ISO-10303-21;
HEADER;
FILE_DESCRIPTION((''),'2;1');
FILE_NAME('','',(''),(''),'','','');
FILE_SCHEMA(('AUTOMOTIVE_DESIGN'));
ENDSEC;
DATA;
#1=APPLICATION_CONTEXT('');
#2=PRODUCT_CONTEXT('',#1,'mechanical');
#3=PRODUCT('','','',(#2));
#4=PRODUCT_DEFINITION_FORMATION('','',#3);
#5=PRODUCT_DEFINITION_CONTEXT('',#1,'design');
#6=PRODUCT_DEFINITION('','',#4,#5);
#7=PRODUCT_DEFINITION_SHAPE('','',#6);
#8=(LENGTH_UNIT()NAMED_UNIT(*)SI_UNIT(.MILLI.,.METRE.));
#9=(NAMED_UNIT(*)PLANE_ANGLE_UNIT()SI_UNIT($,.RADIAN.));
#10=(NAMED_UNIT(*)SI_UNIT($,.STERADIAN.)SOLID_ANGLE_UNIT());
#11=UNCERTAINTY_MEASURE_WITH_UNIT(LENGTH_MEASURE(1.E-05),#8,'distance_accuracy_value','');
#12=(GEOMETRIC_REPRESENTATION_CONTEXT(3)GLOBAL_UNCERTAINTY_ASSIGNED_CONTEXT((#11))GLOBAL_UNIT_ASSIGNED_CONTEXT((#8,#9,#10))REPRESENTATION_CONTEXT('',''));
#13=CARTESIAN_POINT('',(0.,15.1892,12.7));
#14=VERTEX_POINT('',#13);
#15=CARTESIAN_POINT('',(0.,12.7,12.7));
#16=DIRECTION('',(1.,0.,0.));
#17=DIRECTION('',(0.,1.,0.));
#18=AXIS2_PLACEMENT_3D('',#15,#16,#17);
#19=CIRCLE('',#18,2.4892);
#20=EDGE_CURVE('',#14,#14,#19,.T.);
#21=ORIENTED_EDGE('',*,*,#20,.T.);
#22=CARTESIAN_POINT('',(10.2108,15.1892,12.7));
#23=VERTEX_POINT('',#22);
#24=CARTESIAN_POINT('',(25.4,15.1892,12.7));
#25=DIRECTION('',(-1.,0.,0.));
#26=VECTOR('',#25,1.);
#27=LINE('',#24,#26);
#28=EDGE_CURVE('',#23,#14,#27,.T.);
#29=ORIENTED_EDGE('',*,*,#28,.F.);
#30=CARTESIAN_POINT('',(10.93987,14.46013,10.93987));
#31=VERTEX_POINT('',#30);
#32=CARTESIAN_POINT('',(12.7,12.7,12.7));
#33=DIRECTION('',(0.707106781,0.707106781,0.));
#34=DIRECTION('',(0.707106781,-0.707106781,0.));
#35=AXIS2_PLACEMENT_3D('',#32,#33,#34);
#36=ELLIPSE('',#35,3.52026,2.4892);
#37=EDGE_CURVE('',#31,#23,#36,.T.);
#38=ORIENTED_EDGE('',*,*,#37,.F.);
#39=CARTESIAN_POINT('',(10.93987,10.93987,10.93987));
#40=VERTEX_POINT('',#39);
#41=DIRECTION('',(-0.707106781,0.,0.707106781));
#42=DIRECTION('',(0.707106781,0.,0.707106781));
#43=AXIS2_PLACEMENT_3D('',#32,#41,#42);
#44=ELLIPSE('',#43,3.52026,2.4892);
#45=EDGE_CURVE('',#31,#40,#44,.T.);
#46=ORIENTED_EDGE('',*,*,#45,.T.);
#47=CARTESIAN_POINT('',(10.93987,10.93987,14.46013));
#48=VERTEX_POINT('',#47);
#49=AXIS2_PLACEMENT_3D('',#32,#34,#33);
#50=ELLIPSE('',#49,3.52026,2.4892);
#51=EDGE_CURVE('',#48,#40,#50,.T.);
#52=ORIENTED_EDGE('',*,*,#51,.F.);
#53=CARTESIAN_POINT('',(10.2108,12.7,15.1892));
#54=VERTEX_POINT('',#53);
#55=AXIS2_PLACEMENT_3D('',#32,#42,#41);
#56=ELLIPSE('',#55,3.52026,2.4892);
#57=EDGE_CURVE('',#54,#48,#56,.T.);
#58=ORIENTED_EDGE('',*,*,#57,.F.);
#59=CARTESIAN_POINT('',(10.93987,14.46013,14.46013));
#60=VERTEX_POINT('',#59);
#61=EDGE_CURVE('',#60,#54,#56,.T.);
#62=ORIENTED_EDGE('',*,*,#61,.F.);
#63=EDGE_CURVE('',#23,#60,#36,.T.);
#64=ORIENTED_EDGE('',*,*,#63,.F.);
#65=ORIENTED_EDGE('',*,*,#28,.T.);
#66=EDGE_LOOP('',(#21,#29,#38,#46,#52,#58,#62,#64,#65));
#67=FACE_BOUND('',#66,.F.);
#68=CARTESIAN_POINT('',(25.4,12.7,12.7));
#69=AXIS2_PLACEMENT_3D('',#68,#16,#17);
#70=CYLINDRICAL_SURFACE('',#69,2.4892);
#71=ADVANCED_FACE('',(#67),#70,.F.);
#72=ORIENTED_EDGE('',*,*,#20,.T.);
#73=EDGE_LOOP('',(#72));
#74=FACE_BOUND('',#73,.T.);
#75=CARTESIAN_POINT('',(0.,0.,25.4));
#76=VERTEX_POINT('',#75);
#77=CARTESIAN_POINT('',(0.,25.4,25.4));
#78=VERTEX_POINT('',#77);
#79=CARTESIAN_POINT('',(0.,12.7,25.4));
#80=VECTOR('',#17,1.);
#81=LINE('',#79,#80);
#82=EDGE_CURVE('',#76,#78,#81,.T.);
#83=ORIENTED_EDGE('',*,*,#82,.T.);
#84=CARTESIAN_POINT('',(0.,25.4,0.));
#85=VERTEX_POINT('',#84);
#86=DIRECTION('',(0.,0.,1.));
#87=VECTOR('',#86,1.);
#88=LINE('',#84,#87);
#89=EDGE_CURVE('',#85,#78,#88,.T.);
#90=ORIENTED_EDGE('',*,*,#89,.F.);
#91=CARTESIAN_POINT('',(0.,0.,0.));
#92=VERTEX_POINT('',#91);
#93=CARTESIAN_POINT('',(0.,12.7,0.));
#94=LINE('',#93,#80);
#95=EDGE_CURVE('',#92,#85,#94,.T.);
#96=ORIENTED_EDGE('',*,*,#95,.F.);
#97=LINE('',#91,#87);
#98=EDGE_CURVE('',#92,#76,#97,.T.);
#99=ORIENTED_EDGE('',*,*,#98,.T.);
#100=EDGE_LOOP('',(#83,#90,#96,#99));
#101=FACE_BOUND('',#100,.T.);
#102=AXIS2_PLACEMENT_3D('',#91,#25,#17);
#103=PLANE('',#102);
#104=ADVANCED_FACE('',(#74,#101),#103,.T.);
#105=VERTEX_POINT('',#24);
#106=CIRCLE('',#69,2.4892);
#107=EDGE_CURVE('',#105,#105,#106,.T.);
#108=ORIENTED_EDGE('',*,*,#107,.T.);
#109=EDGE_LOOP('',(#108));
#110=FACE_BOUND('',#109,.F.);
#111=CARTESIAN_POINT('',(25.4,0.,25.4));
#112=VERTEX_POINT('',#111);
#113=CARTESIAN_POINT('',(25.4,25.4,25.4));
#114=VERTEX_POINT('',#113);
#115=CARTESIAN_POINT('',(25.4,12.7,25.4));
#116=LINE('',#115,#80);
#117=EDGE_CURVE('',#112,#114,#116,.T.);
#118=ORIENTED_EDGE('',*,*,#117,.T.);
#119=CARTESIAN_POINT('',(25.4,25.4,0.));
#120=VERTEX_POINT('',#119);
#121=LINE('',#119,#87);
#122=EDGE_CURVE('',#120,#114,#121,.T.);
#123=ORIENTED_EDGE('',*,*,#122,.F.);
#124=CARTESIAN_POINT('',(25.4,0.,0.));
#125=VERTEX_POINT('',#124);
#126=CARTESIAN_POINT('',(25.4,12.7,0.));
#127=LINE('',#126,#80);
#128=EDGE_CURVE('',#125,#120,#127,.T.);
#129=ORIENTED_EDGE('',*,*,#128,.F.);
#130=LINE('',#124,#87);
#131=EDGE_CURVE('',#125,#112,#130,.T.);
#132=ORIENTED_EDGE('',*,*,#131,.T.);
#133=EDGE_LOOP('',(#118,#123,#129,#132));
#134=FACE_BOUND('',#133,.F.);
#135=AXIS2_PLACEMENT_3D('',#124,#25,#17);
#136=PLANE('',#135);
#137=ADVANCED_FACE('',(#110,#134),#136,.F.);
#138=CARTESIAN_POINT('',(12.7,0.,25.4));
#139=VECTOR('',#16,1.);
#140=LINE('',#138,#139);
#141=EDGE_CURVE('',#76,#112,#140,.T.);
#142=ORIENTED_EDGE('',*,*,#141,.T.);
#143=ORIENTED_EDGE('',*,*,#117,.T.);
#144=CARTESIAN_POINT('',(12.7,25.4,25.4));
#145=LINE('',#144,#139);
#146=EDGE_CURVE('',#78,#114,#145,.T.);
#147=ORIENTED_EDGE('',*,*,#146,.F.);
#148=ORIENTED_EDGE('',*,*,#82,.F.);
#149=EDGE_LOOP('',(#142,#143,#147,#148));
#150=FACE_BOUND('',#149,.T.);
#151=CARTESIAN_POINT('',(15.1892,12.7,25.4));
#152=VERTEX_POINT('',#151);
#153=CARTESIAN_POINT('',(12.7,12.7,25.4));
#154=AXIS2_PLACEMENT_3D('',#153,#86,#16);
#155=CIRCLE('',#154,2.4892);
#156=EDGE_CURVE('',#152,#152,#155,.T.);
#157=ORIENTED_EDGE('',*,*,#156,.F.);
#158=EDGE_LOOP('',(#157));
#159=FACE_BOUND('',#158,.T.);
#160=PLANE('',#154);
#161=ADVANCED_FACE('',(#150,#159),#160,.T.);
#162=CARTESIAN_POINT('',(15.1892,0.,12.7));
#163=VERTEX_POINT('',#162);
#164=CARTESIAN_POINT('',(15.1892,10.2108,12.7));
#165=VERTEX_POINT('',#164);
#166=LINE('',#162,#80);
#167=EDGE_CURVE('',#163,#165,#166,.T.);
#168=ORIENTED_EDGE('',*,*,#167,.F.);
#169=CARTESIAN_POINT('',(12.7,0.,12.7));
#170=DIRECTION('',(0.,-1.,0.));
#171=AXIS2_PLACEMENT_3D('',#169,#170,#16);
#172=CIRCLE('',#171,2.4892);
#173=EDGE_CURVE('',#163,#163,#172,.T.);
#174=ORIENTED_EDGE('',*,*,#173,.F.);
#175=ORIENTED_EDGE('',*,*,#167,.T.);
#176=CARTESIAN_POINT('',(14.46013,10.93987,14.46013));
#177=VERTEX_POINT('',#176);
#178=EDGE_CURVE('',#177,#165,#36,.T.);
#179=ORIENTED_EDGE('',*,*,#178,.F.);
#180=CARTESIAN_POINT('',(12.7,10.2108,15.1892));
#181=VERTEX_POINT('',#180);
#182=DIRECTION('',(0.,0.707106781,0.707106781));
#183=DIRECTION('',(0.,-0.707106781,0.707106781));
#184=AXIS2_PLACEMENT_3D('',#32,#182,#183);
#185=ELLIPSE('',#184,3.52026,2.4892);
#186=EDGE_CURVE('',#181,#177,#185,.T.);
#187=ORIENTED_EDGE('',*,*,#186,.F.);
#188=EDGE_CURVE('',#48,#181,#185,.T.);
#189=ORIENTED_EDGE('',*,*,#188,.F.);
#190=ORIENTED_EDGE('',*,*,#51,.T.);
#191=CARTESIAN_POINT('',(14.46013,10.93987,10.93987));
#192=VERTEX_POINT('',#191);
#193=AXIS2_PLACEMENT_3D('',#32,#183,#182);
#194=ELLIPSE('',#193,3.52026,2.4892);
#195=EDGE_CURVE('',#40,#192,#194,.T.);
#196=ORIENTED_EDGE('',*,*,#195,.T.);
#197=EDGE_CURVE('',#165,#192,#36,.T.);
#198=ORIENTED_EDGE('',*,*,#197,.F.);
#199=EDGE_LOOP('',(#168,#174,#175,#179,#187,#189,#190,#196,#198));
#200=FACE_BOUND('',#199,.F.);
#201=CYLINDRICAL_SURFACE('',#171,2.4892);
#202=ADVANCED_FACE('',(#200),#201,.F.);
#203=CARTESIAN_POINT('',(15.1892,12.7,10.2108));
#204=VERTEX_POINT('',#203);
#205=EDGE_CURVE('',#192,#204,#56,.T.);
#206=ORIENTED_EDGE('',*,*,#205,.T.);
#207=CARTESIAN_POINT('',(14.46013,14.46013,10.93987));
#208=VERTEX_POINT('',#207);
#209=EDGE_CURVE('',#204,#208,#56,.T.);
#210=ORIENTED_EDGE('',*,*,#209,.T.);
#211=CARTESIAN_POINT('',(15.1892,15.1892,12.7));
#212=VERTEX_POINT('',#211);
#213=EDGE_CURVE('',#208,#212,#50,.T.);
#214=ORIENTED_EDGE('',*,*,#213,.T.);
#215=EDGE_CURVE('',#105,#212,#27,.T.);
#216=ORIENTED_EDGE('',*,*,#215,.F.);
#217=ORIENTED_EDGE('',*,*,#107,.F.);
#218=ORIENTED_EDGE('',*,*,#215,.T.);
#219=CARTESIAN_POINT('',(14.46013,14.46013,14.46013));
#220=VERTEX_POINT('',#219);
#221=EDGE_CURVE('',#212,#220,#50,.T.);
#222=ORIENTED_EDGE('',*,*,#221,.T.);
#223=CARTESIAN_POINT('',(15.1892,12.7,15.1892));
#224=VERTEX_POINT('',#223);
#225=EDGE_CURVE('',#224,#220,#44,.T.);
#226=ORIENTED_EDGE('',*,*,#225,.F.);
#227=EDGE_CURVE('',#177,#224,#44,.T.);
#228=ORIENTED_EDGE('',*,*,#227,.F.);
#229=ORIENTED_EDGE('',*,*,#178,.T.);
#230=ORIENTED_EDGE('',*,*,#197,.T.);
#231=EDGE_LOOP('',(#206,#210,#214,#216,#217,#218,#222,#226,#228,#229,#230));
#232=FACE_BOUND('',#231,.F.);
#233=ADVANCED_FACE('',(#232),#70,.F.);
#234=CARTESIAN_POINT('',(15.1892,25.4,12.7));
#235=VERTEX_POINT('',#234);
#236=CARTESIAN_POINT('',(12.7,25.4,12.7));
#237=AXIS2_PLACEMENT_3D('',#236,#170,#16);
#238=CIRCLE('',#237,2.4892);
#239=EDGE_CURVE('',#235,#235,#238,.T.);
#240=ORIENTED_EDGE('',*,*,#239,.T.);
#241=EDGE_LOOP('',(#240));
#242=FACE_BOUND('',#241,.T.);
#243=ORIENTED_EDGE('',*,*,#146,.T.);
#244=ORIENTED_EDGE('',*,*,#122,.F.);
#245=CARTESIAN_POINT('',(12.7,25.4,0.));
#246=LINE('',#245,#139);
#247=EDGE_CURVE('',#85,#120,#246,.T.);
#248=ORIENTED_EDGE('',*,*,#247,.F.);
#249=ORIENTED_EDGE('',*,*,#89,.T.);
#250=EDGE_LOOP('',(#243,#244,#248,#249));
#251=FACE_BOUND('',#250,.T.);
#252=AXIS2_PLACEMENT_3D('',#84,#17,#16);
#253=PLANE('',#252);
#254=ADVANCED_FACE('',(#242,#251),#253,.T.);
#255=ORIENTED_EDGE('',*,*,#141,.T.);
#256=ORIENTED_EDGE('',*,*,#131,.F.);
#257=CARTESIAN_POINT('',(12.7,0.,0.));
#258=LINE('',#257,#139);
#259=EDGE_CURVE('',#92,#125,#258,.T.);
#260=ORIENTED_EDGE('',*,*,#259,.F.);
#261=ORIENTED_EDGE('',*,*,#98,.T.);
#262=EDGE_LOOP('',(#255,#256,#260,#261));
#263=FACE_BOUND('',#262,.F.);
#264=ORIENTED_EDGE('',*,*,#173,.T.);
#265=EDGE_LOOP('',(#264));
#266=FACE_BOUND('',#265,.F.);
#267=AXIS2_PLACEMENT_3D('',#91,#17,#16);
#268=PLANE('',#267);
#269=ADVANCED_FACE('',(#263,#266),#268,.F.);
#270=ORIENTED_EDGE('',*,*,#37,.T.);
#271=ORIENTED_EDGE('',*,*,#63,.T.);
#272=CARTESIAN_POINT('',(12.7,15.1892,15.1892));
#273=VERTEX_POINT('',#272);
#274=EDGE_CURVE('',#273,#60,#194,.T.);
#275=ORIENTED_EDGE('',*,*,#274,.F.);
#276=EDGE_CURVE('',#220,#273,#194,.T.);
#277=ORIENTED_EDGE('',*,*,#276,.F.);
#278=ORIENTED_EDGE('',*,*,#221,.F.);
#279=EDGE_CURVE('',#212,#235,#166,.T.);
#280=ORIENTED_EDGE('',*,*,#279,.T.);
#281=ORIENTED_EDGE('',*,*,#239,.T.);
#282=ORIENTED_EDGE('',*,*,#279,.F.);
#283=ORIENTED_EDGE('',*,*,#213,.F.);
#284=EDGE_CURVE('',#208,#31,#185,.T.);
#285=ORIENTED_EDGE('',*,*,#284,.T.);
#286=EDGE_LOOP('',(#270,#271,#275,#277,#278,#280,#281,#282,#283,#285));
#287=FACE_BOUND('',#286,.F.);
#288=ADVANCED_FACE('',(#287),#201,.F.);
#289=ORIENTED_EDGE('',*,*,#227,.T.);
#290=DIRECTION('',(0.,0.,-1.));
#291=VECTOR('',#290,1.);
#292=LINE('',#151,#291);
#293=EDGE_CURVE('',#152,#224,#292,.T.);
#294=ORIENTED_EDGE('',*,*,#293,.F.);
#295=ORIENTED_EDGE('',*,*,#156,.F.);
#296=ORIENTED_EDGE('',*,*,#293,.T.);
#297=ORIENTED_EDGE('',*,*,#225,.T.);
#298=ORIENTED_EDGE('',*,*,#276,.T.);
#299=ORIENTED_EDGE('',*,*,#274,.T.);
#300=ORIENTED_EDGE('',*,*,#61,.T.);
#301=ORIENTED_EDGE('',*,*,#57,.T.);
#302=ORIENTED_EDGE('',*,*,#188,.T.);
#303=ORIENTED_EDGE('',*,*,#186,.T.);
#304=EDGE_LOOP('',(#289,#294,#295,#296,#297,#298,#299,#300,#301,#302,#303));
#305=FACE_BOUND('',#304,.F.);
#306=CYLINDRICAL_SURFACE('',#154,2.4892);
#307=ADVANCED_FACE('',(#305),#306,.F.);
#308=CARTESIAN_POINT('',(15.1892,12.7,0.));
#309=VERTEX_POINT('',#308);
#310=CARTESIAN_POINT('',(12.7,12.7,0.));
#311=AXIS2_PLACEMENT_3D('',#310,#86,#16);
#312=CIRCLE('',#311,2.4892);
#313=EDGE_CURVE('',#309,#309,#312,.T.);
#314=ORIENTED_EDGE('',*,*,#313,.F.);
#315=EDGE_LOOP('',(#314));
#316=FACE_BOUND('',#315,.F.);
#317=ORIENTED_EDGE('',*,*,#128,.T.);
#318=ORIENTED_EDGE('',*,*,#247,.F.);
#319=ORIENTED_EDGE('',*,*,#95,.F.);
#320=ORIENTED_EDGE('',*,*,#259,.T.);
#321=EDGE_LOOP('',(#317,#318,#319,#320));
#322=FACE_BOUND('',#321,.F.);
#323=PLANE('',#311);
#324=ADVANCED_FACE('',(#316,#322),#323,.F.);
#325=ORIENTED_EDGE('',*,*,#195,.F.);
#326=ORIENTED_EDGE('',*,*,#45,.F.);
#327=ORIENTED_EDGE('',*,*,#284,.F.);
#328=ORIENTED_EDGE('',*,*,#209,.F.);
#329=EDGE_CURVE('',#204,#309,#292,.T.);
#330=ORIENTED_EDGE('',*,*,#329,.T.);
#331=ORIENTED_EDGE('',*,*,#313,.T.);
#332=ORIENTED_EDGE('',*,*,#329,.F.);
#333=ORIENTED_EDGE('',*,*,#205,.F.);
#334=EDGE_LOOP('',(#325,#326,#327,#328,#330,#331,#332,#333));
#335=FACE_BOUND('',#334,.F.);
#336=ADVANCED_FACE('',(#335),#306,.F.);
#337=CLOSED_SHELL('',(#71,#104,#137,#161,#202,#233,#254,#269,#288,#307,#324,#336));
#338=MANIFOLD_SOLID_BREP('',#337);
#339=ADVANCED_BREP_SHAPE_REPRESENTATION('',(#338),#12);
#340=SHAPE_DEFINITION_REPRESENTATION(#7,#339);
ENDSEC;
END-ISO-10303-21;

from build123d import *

# Parameters (mm, degrees)
F0_W     = 25.4
F0_H     = 25.4
F1_DEPTH = 25.4
F2_R     = 2.4892
F3_DEPTH = 25.4
F4_R     = 2.4892
F5_DEPTH = 25.4
F6_R     = 2.4892
F7_DEPTH = 25.4


with BuildPart() as f1:
    # F0 (on Top) → F1 (new body)
    with BuildSketch(Plane.XY):
        with Locations((12.7, 12.7)):
            Rectangle(F0_W, F0_H)
    extrude(amount=F1_DEPTH)

    # F2 (on face) → F3 (cut)
    with BuildSketch(Plane.XY.offset(25.4)):
        with Locations((12.7, 12.7)):
            Circle(F2_R)
    extrude(amount=-F3_DEPTH, mode=Mode.SUBTRACT)

    # F4 (on face) → F5 (cut)
    with BuildSketch(Plane.YZ.offset(25.4)):
        with Locations((12.7, 12.7)):
            Circle(F4_R)
    extrude(amount=-F5_DEPTH, mode=Mode.SUBTRACT)

    # F6 (on face) → F7 (cut)
    with BuildSketch(Plane.XZ):
        with Locations((12.7, 12.7)):
            Circle(F6_R)
    extrude(amount=-F7_DEPTH, mode=Mode.SUBTRACT)


solid = f1.part
